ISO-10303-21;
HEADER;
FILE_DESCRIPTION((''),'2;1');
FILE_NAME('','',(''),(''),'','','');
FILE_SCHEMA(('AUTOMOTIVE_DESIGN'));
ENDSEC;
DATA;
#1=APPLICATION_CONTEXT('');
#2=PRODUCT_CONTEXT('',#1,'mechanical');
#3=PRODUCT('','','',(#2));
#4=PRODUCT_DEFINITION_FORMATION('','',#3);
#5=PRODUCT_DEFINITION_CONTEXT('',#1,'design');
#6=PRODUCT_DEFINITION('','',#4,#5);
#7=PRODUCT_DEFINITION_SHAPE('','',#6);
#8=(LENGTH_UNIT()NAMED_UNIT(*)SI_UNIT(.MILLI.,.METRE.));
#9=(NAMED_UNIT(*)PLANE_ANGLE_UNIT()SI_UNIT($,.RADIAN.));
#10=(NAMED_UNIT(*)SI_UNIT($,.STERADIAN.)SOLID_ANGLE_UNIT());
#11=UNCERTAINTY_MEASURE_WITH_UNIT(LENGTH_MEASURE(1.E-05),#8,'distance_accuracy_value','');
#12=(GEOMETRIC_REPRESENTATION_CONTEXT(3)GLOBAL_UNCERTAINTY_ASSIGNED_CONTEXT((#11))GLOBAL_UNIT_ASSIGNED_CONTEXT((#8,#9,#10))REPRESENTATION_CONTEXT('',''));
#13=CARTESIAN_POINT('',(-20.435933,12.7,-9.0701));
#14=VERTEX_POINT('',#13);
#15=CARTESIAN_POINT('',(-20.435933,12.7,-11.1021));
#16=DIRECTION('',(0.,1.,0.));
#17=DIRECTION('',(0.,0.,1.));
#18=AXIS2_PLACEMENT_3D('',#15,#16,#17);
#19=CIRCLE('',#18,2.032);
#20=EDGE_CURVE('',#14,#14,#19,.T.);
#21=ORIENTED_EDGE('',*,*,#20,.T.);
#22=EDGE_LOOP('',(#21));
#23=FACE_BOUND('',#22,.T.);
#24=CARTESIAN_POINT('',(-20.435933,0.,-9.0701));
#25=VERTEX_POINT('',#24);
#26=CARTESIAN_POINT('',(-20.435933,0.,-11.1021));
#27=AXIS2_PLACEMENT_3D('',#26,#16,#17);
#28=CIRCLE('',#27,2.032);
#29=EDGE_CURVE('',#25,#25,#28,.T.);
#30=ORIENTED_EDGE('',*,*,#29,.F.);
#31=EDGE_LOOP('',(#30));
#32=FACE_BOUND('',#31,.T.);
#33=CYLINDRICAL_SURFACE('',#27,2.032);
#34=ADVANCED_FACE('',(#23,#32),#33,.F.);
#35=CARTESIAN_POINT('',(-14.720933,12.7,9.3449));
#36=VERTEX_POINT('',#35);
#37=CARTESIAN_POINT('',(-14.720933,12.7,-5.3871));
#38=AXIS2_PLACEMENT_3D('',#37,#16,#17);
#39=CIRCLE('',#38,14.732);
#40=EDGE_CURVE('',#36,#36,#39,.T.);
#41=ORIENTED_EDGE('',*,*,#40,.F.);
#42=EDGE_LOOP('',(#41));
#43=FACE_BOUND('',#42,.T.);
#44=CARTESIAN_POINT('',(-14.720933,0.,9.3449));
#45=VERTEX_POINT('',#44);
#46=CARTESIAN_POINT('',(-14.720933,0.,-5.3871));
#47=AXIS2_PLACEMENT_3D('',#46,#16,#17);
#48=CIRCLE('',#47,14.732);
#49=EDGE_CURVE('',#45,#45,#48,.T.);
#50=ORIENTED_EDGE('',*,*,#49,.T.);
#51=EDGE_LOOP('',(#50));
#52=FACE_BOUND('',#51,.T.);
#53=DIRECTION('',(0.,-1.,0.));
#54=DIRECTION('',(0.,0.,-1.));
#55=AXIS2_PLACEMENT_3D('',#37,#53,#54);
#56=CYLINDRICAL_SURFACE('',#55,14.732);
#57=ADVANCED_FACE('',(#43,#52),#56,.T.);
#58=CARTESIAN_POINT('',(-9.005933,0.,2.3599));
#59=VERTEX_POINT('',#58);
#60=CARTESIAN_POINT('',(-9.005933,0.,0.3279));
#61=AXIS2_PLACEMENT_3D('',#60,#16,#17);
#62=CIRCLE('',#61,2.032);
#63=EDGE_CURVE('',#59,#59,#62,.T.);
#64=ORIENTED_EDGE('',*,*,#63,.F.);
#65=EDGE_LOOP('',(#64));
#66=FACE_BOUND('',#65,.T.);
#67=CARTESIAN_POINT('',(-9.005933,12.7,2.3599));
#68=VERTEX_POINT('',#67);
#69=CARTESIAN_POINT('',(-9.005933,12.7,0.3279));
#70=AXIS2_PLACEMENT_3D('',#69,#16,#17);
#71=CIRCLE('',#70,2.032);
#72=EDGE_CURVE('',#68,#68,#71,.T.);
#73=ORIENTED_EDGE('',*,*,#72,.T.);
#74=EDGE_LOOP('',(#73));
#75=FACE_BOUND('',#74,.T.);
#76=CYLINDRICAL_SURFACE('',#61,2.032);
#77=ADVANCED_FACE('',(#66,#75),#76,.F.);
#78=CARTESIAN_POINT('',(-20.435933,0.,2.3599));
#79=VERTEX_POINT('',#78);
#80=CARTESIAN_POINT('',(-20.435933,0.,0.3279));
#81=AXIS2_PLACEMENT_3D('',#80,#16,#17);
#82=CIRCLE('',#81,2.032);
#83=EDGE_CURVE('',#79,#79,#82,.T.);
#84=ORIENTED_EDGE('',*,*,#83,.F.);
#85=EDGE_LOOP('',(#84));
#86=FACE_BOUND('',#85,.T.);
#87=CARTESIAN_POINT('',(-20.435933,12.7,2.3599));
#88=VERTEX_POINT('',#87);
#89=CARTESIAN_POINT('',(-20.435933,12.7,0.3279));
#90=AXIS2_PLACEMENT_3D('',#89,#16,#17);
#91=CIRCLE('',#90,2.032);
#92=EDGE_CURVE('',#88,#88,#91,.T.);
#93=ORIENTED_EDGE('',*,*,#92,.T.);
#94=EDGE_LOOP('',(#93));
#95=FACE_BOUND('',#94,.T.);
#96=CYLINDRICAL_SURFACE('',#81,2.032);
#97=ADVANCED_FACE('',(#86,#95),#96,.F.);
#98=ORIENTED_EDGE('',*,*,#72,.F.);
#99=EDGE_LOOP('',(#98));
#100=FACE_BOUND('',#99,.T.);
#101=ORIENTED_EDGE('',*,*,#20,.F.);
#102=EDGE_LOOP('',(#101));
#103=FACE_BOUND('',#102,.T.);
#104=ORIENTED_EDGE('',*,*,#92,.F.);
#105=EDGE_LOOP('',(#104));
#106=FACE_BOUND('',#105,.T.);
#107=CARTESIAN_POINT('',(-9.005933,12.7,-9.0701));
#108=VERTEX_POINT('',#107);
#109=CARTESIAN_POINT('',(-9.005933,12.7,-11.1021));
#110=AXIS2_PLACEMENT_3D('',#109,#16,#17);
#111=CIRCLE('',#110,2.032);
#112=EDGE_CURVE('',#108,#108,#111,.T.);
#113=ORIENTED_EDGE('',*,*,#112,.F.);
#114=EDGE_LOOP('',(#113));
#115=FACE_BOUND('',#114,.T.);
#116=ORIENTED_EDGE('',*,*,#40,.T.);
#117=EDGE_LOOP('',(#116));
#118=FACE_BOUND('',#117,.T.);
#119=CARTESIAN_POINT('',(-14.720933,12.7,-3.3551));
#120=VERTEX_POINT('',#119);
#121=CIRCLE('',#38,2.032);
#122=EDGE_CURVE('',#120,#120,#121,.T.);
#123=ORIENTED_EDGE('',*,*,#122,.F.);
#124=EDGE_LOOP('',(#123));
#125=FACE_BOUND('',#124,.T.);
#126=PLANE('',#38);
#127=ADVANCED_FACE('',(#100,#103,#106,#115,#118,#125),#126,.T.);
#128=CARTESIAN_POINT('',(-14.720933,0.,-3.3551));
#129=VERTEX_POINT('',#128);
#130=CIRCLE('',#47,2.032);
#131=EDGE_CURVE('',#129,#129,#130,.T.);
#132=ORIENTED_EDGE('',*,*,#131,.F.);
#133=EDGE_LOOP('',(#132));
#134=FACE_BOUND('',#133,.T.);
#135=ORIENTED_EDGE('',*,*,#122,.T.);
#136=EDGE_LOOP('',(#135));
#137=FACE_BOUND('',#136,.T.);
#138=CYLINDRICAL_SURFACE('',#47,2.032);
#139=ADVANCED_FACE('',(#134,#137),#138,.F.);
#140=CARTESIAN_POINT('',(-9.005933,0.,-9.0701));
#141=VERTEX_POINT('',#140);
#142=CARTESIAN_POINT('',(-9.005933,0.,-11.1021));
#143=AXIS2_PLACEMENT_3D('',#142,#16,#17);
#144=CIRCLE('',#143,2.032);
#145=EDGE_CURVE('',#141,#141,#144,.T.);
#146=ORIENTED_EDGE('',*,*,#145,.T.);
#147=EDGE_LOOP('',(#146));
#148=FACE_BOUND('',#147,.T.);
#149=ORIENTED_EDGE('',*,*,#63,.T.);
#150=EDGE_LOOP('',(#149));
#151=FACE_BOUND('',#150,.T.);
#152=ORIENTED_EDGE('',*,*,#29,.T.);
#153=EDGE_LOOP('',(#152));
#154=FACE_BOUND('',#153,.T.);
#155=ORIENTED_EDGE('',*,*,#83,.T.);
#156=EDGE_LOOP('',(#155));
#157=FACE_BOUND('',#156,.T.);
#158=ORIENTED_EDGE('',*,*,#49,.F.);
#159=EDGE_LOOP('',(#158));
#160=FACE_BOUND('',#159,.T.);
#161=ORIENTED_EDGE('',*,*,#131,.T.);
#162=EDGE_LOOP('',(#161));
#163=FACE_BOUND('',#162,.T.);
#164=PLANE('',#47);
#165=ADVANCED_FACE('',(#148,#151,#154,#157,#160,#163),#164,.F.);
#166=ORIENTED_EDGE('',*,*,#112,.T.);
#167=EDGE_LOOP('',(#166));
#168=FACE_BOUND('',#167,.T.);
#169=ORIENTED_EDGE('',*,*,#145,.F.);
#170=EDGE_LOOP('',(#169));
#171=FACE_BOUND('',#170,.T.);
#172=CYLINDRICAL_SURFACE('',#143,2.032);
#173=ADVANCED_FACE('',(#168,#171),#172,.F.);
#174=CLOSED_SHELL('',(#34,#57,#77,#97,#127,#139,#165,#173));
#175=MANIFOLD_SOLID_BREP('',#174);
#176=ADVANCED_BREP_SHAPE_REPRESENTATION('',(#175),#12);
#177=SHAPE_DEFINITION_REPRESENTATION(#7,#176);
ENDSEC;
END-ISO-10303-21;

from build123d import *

# Parameters (mm, degrees)
SKETCH1_R           = 14.732
BOSS_EXTRUDE1_DEPTH = 12.7
SKETCH2_R           = 2.032
CUT_EXTRUDE1_DEPTH  = 12.7


with BuildPart() as part:
    # Sketch1 → Boss-Extrude1 (new body)
    with BuildSketch(Plane(origin=(0, 0, 0), x_dir=(1, 0, 0), z_dir=(0, 1, 0))):
        with Locations(Location((-14.720932897, 5.387100013, 0), (0, 0, 270))):
            Circle(SKETCH1_R)
    extrude(amount=BOSS_EXTRUDE1_DEPTH)

    # Sketch2 → Cut-Extrude1 (cut)
    with BuildSketch(Plane(origin=(0, 12.7, 0), x_dir=(1, 0, 0), z_dir=(0, 1, 0))):
        with Locations(Location((-9.005932897, -0.327899987, 0), (0, 0, 270))):
            Circle(SKETCH2_R)
        with Locations(Location((-9.005932897, 11.102100013, 0), (0, 0, 270))):
            Circle(SKETCH2_R)
        with Locations(Location((-20.435932897, 11.102100013, 0), (0, 0, 270))):
            Circle(SKETCH2_R)
        with Locations(Location((-20.435932897, -0.327899987, 0), (0, 0, 270))):
            Circle(SKETCH2_R)
        with Locations(Location((-14.720932897, 5.387100013, 0), (0, 0, 270))):
            Circle(SKETCH2_R)
    extrude(amount=-CUT_EXTRUDE1_DEPTH, mode=Mode.SUBTRACT)


solid = part.part
